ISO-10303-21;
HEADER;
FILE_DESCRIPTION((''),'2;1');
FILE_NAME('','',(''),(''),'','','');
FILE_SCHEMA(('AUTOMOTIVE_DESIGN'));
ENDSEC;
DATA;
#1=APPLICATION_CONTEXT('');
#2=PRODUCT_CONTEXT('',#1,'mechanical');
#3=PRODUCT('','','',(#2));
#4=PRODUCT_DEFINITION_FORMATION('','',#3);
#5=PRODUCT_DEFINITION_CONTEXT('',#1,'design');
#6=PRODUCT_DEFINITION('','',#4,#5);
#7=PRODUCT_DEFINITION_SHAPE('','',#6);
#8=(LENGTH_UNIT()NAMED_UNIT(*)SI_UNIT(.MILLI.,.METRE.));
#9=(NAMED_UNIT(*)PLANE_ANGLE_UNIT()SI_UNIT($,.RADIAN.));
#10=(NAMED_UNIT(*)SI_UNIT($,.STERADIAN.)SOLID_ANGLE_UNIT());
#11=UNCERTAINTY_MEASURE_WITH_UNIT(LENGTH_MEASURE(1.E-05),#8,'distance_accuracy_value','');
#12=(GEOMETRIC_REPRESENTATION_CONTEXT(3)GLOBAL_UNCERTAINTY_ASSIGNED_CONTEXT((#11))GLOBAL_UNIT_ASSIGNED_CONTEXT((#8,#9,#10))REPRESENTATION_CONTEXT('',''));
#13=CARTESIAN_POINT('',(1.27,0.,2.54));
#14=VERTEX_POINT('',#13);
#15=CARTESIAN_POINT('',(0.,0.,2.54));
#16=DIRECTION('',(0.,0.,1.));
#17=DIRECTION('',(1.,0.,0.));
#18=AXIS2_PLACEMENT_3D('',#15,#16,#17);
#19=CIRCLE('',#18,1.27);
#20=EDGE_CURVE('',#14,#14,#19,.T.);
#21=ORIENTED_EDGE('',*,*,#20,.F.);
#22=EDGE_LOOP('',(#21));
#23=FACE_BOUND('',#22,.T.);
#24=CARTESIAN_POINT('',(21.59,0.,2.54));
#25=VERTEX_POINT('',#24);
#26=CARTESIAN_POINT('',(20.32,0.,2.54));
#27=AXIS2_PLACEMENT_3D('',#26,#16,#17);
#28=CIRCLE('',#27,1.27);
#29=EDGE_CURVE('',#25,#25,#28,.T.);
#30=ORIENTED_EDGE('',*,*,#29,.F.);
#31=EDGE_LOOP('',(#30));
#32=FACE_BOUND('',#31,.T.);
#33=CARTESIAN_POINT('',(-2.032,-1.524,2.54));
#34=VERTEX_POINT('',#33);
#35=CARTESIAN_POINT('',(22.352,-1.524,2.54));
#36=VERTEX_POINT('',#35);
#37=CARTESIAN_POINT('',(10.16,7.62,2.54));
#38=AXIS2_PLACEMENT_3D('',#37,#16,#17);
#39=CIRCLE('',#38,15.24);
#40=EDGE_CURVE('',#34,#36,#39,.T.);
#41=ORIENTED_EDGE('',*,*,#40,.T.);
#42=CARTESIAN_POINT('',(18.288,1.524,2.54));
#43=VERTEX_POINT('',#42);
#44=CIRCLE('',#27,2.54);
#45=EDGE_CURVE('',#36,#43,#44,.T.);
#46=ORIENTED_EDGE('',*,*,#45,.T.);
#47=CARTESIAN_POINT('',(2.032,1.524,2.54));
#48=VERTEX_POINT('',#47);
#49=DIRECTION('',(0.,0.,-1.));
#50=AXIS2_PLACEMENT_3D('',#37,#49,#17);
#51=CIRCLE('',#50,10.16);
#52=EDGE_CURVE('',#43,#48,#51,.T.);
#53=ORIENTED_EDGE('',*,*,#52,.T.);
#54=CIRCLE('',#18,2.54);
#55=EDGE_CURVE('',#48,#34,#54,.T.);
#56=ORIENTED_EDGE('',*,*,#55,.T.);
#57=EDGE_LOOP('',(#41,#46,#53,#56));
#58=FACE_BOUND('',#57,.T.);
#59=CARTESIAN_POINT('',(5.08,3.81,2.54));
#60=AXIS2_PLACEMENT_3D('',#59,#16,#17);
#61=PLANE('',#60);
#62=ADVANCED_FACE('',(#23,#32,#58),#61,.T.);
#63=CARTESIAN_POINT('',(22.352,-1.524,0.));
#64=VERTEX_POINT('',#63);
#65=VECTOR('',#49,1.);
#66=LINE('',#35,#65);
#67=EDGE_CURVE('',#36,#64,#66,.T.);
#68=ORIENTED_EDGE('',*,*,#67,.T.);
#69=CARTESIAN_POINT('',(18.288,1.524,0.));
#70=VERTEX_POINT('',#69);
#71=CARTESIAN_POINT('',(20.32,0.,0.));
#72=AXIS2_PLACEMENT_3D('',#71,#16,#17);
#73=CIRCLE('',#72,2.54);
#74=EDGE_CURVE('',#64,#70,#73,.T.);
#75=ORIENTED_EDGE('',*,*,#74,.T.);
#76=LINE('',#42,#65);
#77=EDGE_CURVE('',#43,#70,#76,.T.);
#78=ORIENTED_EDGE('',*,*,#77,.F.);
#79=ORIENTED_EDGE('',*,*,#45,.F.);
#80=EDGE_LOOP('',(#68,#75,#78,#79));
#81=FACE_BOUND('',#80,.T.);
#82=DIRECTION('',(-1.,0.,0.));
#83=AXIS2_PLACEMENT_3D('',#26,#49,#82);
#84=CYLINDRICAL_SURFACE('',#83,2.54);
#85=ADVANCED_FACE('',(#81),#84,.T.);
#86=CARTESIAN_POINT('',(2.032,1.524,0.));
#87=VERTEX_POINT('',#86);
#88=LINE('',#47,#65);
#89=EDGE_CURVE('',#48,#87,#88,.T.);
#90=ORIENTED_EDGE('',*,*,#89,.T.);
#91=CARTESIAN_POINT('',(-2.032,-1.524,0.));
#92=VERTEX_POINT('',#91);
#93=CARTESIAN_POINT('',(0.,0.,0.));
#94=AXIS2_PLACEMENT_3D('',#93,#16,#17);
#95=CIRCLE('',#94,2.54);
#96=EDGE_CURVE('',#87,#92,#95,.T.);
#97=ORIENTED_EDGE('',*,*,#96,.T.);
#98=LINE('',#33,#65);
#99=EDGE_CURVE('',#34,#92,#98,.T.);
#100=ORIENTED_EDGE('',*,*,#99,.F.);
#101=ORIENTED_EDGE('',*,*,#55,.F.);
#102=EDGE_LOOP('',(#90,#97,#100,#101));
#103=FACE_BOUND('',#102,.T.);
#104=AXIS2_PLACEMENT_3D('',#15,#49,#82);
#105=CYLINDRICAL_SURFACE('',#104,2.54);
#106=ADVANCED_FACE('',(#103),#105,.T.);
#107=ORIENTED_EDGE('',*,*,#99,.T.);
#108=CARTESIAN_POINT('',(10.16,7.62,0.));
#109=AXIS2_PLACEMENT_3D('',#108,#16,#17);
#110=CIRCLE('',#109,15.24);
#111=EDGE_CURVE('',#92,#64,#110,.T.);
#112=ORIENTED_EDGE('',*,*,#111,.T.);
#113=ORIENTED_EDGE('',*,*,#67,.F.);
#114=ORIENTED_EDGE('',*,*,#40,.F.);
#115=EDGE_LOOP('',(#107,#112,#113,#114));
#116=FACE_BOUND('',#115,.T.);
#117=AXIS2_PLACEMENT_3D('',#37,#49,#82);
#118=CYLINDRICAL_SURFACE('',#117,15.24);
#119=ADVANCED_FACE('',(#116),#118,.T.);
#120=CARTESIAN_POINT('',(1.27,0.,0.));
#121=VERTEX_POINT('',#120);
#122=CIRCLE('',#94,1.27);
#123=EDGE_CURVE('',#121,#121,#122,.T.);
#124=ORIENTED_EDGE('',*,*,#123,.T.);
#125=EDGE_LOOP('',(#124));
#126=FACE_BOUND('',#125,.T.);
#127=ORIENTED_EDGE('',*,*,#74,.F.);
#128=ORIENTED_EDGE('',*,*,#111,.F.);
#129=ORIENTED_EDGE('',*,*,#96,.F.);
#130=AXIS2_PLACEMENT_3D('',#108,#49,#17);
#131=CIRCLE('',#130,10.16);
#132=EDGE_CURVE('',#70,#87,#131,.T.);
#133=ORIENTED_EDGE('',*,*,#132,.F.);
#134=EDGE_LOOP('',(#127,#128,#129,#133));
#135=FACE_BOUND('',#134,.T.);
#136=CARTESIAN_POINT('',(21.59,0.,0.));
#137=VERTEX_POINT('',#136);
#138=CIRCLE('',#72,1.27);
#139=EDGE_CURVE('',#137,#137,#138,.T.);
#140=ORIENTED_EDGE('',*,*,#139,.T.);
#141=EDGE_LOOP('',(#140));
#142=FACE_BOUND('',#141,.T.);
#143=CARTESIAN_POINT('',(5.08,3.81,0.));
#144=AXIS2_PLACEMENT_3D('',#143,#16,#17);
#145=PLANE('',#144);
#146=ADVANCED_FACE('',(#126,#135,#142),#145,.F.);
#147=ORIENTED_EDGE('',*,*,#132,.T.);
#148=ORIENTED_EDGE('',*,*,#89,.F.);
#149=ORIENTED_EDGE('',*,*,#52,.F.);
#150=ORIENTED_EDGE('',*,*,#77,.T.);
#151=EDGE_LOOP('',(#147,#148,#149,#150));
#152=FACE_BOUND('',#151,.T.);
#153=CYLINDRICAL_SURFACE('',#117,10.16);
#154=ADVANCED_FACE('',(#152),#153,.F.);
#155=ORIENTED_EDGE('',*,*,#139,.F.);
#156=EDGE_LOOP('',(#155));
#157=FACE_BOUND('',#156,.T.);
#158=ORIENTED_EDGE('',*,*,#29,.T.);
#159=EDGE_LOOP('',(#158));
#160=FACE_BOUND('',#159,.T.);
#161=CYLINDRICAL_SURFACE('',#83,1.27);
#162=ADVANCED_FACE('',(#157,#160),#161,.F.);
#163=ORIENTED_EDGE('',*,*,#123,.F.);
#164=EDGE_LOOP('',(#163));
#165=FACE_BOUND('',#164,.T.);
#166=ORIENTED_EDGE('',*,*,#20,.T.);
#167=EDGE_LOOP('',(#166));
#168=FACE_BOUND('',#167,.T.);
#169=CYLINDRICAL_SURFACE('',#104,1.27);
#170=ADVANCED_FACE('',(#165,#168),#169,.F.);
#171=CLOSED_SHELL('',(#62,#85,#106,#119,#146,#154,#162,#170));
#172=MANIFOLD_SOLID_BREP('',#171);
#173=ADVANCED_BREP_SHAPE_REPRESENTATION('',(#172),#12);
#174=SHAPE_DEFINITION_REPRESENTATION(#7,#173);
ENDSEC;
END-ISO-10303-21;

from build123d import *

# Parameters (mm, degrees)
SKETCH1_R           = 1.27
BOSS_EXTRUDE1_DEPTH = 2.54


with BuildPart() as part:
    # Sketch1 → Boss-Extrude1 (new body)
    with BuildSketch(Plane.XY):
        with BuildLine():
            ThreePointArc((-2.032, -1.524), (10.16, -7.62), (22.352, -1.524))
            ThreePointArc((22.352, -1.524), (21.844, 2.032), (18.288, 1.524))
            ThreePointArc((18.288, 1.524), (10.16, -2.54), (2.032, 1.524))
            ThreePointArc((2.032, 1.524), (-1.524, 2.032), (-2.032, -1.524))
        make_face()
        Circle(SKETCH1_R, mode=Mode.SUBTRACT)
        with Locations((20.32, 0)):
            Circle(SKETCH1_R, mode=Mode.SUBTRACT)
    extrude(amount=BOSS_EXTRUDE1_DEPTH)


solid = part.part
